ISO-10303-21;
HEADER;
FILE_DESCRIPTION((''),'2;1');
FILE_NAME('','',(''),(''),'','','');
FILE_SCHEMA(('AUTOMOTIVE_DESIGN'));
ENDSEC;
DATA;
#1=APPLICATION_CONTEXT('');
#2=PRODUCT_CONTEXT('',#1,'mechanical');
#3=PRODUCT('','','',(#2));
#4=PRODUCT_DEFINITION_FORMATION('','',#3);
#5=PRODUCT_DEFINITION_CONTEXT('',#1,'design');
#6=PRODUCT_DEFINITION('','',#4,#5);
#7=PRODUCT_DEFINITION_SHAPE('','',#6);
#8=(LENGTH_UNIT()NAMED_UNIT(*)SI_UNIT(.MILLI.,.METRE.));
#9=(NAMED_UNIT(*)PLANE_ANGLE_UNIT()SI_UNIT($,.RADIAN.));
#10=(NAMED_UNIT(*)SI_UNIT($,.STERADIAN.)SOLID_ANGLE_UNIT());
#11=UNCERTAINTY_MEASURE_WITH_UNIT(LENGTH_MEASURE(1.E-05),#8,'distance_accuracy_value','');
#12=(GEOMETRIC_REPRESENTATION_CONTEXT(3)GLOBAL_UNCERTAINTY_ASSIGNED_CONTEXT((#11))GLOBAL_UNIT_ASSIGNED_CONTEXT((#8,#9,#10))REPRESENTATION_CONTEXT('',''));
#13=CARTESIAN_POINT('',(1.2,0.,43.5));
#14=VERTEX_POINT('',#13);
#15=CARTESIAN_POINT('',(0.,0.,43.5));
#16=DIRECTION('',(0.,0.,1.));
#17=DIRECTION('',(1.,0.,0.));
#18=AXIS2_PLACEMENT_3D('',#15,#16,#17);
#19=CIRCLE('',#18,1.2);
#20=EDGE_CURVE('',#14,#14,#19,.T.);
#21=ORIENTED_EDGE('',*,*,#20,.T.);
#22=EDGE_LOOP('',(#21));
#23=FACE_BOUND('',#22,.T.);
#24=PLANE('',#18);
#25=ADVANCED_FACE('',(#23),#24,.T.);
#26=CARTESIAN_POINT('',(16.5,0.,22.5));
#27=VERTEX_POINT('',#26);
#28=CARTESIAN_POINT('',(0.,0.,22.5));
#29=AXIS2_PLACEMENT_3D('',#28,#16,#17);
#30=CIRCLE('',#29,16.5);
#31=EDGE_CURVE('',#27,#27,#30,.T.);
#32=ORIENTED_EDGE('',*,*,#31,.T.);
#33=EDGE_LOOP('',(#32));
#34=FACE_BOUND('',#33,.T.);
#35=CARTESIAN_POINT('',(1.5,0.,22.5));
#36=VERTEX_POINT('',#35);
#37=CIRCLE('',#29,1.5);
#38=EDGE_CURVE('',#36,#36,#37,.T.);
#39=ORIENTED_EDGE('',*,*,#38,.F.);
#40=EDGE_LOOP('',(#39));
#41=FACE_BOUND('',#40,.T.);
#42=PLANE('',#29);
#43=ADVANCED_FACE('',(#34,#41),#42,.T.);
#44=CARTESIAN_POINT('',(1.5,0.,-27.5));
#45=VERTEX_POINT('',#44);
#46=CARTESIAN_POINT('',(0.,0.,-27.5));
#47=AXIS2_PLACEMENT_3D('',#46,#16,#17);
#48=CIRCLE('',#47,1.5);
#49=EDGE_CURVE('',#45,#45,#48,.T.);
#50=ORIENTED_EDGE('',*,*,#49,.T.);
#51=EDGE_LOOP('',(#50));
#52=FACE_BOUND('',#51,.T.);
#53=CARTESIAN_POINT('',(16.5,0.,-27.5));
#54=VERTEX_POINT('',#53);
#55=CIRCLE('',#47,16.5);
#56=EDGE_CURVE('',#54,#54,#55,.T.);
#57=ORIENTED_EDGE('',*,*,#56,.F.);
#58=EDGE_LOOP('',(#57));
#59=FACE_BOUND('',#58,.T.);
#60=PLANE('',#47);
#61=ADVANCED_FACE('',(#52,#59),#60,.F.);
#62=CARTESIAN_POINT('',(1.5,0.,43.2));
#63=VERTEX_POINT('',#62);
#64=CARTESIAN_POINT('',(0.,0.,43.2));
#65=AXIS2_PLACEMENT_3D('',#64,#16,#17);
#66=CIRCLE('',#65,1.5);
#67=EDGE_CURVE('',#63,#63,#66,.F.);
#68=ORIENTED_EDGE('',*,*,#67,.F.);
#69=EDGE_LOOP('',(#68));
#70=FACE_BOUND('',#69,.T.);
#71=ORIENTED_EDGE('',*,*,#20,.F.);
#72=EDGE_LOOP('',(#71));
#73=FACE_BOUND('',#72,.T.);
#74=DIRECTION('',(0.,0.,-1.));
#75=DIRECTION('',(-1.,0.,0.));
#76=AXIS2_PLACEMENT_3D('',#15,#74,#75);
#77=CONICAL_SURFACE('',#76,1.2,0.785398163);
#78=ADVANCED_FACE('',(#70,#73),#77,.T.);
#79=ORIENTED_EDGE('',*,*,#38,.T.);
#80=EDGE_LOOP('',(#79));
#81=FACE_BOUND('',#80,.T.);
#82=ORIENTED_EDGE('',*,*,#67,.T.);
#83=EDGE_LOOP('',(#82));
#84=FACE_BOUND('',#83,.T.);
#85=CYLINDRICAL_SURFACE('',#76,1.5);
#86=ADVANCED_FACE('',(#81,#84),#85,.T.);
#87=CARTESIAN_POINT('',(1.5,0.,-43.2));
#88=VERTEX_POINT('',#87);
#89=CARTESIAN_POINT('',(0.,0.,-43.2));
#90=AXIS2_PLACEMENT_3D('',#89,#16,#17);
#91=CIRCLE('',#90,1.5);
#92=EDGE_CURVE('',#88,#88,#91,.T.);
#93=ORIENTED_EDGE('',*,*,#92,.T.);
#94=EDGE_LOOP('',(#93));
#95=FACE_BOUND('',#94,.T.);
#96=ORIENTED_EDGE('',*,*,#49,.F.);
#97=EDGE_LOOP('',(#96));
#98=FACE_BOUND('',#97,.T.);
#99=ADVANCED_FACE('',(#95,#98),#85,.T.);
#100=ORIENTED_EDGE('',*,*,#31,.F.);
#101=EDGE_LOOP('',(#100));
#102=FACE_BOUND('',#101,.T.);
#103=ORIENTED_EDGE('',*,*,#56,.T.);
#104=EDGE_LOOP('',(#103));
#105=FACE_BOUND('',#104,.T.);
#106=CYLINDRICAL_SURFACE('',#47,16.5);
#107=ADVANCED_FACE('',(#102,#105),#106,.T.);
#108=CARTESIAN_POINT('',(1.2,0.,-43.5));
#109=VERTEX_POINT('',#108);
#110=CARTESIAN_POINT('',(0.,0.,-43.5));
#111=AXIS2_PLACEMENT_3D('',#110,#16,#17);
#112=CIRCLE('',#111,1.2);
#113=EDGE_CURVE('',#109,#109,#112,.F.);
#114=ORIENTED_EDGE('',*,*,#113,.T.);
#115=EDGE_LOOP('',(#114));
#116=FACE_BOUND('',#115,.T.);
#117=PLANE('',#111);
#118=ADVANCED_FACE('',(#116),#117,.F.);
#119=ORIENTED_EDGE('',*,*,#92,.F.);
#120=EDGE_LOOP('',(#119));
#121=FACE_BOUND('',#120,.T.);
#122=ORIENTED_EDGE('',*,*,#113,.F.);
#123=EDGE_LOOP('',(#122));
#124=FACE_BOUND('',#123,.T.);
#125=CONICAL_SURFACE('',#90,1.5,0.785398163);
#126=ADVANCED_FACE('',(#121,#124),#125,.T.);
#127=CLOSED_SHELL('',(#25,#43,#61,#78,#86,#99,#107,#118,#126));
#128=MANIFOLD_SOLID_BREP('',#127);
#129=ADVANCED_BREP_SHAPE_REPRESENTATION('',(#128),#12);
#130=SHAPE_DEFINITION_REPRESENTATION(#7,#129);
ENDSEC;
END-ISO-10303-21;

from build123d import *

# Parameters (mm, degrees)
SKETCH1_R           = 1.5
BOSS_EXTRUDE1_DEPTH = 43.5
SKETCH4_R           = 16.5
SKETCH4_R_2         = 1.5
BOSS_EXTRUDE2_DEPTH = 50
CHAMFER1_SIZE       = 0.3


with BuildPart() as part:
    # Sketch1 → Boss-Extrude1 (new, symmetric)
    with BuildSketch(Plane.XY):
        Circle(SKETCH1_R)
    extrude(amount=BOSS_EXTRUDE1_DEPTH, both=True)

    # Sketch4 → Boss-Extrude2 (add)
    with BuildSketch(Plane.XY.offset(22.5)):
        Circle(SKETCH4_R)
        Circle(SKETCH4_R_2, mode=Mode.SUBTRACT)
    extrude(amount=-BOSS_EXTRUDE2_DEPTH)

    # Chamfer1
    chamfer1_edges = [part.edges().sort_by_distance(p)[0] for p in [
        (-1.5, 0, -43.5),
        (-1.5, 0, 43.5),
    ]]
    chamfer(chamfer1_edges, length=CHAMFER1_SIZE)


solid = part.part
